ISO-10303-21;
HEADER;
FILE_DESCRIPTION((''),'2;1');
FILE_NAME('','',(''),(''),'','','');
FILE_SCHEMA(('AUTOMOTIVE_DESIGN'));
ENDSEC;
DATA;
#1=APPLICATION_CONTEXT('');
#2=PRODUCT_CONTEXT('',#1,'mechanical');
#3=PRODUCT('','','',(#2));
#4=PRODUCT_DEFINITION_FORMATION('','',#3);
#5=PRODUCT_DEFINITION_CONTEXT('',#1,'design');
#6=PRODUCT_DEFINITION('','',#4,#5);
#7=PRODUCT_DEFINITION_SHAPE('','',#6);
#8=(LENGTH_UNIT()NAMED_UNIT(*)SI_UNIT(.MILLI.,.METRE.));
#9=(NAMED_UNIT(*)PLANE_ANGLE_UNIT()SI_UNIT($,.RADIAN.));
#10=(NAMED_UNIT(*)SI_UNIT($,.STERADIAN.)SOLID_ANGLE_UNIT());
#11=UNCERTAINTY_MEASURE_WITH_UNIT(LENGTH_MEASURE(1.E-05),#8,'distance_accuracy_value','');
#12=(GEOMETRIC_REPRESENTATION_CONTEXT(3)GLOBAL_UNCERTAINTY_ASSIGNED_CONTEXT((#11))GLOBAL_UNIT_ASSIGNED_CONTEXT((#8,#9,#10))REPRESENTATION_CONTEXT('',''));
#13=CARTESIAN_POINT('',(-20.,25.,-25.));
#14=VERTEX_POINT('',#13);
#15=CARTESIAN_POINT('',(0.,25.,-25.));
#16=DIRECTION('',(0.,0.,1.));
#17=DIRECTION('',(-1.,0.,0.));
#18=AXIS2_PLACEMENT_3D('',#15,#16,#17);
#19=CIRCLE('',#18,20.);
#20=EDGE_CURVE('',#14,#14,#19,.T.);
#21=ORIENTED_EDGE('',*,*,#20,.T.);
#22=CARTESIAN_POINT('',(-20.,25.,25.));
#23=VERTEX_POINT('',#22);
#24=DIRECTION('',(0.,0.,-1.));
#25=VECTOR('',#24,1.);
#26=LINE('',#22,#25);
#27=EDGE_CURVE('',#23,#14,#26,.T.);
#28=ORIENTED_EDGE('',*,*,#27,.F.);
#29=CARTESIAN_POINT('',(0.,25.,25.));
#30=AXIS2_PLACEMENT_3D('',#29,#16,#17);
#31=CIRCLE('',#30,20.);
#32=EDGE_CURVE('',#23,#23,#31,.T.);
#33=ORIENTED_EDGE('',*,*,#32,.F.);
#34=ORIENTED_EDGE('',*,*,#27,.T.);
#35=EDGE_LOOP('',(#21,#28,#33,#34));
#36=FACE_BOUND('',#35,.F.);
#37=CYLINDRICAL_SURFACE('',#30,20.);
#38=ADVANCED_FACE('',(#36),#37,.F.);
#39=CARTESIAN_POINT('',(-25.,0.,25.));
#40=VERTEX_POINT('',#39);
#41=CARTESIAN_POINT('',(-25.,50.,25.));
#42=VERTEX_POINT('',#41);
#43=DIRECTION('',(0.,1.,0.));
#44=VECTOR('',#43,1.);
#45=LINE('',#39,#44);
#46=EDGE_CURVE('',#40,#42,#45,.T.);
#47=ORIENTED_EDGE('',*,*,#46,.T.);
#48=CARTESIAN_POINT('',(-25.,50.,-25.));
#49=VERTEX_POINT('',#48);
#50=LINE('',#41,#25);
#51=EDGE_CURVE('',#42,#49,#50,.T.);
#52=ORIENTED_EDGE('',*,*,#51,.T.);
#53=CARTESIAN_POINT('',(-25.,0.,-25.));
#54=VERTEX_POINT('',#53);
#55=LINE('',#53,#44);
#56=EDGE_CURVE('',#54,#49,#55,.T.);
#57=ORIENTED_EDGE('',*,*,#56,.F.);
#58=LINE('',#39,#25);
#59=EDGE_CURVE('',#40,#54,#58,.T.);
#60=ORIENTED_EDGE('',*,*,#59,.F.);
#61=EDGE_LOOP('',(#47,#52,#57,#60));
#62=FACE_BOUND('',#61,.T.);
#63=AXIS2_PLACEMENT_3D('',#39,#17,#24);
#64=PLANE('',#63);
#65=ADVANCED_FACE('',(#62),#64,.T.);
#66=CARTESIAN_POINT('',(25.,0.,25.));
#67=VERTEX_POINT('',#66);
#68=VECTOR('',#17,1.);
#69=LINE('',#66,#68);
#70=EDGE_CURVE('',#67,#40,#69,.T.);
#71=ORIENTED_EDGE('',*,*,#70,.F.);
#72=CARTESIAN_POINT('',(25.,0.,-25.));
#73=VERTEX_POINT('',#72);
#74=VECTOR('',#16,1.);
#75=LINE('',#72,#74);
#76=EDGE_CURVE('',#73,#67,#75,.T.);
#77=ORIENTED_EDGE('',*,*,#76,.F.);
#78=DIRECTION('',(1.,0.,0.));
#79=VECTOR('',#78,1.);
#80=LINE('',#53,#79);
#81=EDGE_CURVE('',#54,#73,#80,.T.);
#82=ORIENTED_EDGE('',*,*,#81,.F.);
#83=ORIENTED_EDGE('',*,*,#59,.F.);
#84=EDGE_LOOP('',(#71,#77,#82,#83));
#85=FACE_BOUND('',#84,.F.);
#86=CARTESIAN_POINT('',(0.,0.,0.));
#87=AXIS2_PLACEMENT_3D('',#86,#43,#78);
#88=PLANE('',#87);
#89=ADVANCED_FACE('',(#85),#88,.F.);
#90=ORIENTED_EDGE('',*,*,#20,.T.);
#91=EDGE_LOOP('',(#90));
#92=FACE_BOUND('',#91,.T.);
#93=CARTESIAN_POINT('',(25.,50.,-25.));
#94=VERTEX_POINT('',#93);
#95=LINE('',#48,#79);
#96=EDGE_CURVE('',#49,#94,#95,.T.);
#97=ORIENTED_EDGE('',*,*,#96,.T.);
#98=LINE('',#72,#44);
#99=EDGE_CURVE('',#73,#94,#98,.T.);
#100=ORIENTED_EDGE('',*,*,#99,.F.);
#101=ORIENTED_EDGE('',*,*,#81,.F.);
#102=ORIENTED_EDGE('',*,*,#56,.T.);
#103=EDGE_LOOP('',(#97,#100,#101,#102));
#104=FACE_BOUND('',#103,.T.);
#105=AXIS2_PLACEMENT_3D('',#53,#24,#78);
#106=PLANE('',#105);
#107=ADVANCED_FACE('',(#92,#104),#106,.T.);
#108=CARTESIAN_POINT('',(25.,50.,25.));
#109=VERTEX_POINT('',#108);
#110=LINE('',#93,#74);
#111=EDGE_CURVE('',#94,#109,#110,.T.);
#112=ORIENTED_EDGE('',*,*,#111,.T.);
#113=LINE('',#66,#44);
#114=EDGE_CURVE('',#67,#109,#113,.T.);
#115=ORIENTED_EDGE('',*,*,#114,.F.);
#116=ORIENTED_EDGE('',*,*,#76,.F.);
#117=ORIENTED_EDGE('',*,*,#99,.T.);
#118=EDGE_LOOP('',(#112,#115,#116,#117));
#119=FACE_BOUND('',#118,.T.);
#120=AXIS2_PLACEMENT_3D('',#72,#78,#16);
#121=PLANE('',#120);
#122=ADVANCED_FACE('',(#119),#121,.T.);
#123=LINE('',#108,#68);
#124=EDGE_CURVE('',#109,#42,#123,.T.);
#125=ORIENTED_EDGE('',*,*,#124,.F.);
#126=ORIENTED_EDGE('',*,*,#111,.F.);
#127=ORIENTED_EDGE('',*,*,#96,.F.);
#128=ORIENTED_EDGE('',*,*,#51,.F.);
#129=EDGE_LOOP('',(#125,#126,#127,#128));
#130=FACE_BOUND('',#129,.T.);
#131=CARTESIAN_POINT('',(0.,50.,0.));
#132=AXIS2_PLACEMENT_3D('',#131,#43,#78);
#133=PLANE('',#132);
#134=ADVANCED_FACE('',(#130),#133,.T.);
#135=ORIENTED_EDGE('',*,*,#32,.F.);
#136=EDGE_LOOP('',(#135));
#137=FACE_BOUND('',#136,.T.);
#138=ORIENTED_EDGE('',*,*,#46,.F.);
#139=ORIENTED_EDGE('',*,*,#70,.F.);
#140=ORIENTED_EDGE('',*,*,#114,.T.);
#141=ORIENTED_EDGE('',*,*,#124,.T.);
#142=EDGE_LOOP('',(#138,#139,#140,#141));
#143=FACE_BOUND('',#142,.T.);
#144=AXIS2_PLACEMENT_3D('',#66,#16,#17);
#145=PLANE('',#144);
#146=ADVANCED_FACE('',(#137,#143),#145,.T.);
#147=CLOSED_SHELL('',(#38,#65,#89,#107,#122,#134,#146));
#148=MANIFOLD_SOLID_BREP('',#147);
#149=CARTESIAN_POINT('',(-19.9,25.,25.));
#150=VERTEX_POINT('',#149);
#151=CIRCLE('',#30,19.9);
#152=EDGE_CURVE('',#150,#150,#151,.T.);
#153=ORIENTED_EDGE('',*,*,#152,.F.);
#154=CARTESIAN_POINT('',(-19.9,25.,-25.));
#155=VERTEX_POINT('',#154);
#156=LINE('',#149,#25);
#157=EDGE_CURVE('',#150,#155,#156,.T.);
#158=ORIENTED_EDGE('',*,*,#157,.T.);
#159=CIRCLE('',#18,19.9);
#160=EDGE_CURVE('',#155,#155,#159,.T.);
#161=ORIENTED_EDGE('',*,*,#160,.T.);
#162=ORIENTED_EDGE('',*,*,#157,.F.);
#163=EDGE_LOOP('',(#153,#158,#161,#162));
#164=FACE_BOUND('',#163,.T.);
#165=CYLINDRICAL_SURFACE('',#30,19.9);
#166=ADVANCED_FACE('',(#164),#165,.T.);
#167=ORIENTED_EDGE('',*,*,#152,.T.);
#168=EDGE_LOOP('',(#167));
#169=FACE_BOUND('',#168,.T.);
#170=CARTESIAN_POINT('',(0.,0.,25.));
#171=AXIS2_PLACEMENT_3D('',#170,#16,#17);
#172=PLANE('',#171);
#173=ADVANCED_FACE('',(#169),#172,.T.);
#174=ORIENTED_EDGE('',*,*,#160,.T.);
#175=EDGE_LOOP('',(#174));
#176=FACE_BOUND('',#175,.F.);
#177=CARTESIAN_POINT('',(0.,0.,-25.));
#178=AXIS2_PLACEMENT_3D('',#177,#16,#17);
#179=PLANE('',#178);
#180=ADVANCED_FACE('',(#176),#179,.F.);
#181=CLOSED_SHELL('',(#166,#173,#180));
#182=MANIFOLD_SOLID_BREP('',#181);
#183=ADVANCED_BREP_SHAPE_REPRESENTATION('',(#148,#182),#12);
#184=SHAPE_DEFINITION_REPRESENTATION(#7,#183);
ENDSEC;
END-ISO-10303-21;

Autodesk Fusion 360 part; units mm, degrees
sketch "Sketch3" plane through (0, 0, 0) normal (0, 1, 0) x (1, 0, 0)
  line L0 (25, -25) -> (-25, -25)
  line L1 (-25, -25) -> (-25, 25)
  line L2 (-25, 25) -> (25, 25)
  line L3 (25, 25) -> (25, -25)
  line L4 (25, -25) -> (-25, 25) construction
  line L5 (-25, -25) -> (25, 25) construction
  dimension "d1" = 50
  dimension "d2" = 50
extrude "Extrude1" add sketch "Sketch3" along normal blind 50 makes body 1
sketch "Sketch4" plane through (0, 0, 25) normal (0, 0, 1) x (-1, 0, 0)
  line L0 (25, 0) -> (-25, 0)
  line L1 (-25, 0) -> (-25, -50)
  line L2 (-25, -50) -> (25, -50)
  line L3 (25, -50) -> (25, 0)
  circle A0 centre (0, -25) radius 20
  dimension "d5" = 40
extrude "Extrude2" cut sketch "Sketch4" against normal blind 75 contours A0 bodies 1
sketch "Sketch5" plane through (0, 0, 25) normal (0, 0, 1) x (-1, 0, 0)
  circle A0 centre (0, -25) radius 20
  line L0 (25, 0) -> (-25, 0)
  line L1 (-25, 0) -> (-25, -50)
  line L2 (-25, -50) -> (25, -50)
  line L3 (25, -50) -> (25, 0)
  circle A1 centre (0, -25) radius 19.9
  dimension "d9" = 39.8
extrude "Extrude3" add sketch "Sketch5" against normal blind 50 separate body contours A1 makes body 2
equation "gap = 0.2 mm"
equation "d9 = 40 mm - gap"
